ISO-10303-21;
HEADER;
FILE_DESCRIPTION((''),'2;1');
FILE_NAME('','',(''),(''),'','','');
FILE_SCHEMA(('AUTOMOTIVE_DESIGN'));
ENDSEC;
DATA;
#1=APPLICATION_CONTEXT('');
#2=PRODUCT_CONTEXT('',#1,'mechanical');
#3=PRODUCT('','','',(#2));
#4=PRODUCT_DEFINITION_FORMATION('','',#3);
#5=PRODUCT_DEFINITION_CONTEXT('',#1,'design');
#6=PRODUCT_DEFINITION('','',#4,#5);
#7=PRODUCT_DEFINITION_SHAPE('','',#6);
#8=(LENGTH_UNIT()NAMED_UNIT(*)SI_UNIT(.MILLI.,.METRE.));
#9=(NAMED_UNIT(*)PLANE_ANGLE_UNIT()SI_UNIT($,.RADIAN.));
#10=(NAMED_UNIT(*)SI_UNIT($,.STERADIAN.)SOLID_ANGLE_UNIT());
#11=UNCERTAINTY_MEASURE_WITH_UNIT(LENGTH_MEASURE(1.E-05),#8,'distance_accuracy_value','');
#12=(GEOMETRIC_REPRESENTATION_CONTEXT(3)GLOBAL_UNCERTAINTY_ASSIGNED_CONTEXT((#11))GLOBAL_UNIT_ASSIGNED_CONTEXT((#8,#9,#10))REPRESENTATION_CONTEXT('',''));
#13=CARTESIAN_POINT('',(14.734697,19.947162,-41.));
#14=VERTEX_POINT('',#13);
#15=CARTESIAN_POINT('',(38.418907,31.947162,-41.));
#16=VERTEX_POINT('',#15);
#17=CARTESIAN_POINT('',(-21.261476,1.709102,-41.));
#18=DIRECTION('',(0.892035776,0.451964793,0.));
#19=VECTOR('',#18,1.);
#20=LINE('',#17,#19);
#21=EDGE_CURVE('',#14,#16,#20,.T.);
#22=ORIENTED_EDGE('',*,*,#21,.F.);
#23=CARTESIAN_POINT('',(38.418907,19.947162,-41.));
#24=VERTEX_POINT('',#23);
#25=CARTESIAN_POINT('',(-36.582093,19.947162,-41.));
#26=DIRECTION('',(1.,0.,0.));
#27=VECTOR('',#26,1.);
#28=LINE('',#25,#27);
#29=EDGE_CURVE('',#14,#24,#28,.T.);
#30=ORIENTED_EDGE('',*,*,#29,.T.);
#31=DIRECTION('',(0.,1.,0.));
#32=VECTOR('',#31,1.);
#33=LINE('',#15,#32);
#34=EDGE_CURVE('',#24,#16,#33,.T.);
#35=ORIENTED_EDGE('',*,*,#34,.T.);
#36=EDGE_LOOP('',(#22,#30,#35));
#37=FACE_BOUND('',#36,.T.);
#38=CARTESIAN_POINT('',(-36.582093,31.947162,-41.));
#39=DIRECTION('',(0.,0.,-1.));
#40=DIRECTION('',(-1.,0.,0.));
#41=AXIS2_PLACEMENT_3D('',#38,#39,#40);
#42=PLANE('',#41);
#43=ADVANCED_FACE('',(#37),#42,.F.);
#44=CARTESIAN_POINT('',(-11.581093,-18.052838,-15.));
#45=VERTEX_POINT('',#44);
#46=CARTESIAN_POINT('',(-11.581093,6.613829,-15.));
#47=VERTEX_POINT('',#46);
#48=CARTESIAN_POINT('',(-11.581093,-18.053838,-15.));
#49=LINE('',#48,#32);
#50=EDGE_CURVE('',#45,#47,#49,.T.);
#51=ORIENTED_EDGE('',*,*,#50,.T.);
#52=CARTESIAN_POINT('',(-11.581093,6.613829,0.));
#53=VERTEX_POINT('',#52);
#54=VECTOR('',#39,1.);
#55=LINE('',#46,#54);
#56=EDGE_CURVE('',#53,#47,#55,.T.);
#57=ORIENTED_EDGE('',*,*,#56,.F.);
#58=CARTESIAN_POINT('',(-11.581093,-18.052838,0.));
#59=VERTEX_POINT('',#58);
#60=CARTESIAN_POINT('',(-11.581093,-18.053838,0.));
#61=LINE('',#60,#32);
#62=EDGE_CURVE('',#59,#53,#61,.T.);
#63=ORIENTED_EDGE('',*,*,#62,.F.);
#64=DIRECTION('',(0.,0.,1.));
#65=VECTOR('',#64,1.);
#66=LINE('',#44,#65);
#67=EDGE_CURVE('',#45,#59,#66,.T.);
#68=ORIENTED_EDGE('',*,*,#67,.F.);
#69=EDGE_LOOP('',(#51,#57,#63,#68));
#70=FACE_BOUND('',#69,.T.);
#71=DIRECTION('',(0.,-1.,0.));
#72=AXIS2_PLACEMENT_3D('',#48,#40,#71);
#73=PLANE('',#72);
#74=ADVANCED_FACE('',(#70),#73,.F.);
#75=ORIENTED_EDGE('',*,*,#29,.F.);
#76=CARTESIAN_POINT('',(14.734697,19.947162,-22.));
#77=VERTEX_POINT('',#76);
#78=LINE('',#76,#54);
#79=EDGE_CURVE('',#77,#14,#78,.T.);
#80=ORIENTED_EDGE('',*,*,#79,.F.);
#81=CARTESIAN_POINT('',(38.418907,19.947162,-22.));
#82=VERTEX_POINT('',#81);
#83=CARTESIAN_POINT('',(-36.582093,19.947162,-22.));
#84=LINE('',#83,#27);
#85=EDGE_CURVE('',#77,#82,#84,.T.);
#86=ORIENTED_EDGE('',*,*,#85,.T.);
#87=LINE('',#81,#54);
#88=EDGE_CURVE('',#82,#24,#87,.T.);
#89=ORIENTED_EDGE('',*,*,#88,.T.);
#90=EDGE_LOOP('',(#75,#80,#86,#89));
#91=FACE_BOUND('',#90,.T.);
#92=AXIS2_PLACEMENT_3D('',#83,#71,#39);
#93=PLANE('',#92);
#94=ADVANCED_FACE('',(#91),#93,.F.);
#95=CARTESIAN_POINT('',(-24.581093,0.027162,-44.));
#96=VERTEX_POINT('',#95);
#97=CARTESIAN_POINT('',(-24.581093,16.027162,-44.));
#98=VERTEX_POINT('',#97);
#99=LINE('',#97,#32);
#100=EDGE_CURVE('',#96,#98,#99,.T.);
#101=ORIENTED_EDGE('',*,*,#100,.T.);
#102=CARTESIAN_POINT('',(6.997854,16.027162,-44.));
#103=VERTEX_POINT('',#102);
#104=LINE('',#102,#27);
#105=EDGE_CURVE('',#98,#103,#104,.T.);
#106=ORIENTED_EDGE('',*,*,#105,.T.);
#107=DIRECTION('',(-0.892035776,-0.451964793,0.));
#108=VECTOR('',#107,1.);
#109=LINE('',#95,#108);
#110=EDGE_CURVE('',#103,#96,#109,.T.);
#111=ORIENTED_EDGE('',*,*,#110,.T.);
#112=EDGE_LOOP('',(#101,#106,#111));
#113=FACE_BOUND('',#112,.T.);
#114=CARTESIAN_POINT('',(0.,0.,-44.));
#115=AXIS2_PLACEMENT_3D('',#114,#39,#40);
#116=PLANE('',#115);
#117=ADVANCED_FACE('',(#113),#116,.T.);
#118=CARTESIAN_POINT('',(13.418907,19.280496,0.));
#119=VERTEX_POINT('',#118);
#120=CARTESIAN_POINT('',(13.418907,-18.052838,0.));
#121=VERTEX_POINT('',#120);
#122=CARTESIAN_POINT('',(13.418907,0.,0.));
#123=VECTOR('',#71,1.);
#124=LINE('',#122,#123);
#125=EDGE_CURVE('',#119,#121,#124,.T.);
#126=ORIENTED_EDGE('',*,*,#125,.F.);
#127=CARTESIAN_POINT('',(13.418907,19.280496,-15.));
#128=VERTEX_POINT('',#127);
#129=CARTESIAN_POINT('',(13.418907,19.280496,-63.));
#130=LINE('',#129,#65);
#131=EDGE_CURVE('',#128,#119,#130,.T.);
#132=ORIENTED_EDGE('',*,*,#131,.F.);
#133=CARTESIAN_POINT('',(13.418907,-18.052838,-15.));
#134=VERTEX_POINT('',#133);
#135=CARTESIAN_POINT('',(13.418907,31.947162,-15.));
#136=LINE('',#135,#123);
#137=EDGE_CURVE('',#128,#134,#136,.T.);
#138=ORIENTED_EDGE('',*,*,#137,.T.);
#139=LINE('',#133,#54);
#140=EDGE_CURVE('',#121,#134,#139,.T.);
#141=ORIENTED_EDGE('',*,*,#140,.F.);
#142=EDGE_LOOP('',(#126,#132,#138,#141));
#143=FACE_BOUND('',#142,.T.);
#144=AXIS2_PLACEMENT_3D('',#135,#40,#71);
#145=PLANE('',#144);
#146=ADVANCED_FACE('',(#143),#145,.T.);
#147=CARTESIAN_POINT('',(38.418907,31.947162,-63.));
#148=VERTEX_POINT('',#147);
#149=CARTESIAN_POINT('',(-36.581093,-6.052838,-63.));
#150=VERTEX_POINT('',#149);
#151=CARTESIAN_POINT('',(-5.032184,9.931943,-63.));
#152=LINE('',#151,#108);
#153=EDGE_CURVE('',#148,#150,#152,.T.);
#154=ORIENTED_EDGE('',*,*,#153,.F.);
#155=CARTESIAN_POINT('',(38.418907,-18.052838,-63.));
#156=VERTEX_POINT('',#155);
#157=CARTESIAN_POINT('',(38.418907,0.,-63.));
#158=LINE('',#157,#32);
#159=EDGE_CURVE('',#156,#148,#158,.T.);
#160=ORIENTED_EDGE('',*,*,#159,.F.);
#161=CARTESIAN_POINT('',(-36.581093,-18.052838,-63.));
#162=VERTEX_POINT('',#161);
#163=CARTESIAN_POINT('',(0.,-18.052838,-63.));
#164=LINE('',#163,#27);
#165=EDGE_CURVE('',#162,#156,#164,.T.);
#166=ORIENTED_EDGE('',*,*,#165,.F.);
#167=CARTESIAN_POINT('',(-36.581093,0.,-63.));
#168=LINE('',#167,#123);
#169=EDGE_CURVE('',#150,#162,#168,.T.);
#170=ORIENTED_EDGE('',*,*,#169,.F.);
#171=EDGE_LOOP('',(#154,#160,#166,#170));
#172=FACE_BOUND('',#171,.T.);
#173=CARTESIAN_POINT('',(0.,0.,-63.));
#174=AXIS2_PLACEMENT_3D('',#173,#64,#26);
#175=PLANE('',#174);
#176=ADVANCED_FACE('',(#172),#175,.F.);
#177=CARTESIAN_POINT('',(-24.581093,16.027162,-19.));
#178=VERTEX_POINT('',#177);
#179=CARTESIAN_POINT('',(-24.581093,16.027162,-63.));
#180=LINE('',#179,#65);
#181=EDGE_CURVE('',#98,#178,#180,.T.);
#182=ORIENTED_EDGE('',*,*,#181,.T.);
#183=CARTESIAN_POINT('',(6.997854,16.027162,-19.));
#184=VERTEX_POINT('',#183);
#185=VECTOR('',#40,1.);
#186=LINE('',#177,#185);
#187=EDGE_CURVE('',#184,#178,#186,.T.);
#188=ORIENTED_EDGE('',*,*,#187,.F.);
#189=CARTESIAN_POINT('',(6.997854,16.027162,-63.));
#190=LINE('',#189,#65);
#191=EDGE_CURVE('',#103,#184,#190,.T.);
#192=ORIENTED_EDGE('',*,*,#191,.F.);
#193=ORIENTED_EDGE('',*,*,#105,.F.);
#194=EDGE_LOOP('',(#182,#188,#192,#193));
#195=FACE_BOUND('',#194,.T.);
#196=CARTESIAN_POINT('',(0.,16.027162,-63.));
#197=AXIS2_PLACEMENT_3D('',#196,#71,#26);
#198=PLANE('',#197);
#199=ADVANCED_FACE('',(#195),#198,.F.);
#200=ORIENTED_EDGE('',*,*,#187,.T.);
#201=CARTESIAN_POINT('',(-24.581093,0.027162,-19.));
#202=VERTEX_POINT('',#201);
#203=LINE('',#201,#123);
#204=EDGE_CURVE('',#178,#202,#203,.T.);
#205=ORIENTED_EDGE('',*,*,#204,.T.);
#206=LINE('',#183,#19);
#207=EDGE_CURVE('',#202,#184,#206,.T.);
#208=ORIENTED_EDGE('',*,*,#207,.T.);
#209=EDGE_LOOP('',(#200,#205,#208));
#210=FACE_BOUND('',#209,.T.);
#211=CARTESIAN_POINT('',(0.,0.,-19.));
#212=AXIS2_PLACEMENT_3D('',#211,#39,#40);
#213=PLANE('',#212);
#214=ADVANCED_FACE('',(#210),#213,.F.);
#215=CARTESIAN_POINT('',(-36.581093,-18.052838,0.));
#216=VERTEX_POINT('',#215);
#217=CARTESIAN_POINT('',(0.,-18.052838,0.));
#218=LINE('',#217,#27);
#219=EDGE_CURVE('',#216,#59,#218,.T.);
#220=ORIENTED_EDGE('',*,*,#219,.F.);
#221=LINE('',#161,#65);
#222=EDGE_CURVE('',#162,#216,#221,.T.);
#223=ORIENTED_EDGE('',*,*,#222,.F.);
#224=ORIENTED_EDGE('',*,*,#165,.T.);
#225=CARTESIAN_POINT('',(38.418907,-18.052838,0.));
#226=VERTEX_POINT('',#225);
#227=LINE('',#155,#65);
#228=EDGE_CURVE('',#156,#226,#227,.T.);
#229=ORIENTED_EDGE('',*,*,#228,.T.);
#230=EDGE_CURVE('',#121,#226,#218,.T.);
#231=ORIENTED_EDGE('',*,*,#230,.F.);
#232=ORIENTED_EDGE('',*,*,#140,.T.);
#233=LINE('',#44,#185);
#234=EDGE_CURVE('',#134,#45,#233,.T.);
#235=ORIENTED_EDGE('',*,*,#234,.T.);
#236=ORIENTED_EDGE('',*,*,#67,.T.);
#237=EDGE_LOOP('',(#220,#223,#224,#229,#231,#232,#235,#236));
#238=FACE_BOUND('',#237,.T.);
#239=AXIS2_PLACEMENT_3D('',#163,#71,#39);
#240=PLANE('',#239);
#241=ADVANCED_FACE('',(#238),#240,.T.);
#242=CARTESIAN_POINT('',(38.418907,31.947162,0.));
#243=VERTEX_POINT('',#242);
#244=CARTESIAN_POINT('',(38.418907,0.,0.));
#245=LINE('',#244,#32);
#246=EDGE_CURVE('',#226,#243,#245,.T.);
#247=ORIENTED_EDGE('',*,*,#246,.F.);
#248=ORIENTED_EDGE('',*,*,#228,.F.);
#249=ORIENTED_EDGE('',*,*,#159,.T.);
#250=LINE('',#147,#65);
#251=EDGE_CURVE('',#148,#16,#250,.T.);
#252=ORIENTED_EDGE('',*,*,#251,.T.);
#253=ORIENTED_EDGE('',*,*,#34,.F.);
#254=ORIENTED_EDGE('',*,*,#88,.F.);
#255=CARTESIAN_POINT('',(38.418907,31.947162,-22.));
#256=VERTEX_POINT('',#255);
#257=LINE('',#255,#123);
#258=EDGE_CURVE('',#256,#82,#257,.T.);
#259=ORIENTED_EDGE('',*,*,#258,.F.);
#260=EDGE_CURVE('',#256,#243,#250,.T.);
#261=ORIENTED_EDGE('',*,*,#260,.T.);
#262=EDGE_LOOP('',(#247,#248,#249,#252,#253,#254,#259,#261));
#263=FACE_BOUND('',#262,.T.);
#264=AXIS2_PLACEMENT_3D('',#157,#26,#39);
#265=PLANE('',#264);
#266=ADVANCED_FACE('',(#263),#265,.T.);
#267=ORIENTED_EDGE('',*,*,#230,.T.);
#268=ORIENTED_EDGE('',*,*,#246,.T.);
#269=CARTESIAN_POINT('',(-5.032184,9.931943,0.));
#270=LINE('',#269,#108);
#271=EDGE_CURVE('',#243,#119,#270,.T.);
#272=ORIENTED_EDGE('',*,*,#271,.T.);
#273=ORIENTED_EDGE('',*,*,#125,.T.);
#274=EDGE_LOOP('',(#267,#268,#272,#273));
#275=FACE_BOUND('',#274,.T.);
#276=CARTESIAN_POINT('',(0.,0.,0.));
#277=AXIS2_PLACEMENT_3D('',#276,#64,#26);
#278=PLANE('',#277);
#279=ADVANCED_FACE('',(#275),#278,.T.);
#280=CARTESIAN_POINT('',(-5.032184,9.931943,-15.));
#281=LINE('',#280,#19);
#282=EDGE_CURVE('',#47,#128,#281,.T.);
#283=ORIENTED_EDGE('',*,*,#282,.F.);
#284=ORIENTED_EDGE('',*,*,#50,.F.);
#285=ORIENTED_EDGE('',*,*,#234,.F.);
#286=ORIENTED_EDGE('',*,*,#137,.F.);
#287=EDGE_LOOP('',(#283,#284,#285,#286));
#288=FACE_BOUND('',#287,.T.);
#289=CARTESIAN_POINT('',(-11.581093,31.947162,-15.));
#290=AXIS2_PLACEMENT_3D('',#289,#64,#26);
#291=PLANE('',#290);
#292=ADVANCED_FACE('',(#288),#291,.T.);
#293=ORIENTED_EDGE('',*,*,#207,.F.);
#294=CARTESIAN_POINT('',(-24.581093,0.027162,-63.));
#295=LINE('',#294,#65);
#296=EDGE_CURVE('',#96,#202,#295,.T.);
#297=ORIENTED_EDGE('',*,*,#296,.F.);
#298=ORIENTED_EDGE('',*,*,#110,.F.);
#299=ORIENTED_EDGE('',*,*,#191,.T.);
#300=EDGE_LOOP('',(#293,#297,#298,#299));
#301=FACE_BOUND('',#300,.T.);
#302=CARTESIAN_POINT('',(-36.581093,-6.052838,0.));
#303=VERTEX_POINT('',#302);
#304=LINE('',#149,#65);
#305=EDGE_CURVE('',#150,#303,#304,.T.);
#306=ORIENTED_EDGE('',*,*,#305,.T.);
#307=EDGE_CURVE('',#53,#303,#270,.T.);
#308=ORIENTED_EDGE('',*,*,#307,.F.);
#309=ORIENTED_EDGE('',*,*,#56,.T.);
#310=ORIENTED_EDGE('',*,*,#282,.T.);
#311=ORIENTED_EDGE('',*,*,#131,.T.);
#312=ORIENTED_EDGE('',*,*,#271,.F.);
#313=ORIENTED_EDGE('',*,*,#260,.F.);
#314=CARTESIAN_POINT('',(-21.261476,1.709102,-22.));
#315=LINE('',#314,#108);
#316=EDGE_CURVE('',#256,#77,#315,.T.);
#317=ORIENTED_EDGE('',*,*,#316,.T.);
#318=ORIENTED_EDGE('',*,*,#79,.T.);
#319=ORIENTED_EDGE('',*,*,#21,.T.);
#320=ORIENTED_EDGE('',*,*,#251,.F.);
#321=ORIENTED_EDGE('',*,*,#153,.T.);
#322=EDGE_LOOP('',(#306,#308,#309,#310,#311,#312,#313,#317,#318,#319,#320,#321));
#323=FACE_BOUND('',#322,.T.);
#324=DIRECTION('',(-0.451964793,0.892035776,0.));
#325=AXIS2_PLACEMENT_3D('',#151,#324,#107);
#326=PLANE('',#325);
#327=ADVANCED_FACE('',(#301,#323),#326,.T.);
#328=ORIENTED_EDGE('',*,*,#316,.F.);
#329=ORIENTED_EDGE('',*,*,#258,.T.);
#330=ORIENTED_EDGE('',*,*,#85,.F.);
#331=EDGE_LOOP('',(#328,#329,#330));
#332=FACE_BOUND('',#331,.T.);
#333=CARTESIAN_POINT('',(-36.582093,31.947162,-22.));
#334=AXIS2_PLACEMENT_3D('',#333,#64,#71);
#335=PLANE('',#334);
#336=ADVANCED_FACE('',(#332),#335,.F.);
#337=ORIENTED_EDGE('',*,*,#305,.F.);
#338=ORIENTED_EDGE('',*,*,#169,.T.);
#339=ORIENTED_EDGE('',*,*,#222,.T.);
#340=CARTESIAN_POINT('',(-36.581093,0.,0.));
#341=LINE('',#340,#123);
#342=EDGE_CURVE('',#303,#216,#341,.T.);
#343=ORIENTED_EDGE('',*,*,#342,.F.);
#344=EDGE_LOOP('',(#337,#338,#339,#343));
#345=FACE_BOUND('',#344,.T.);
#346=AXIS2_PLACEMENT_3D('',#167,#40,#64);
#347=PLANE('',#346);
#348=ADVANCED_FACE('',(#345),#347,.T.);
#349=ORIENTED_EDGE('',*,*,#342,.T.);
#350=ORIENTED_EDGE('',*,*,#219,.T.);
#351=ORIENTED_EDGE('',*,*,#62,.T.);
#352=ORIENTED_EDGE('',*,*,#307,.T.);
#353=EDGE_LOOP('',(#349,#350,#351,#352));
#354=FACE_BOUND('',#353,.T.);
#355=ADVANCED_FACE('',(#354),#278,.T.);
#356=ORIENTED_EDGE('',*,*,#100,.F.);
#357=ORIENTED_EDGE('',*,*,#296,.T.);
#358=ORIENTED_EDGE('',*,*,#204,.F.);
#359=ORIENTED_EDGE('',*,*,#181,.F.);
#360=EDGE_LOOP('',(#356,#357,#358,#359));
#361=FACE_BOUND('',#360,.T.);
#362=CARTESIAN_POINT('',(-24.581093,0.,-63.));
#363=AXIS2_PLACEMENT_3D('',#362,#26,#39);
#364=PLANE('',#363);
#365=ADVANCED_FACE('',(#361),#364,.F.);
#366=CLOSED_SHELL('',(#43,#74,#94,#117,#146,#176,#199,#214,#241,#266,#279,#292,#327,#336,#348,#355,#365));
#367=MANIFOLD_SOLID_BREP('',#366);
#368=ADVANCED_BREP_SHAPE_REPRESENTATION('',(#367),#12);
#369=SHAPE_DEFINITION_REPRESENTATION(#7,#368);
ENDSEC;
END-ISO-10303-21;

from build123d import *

# Parameters (mm, degrees)
BOSS_EXTRUDE1_DEPTH            = 63
CUT_EXTRUDE1_DEPTH             = 19
CUT_EXTRUDE2_DEPTH             = 19
CUT_EXTRUDE3_REACH             = 36.08
CUT_EXTRUDE3_DIRECTION_2_DEPTH = 16.92
CUT_EXTRUDE4_REACH             = 77
SKETCH6_W                      = 19
SKETCH6_H                      = 12


with BuildPart() as part:
    # Sketch1 → Boss-Extrude1 (new body)
    with BuildSketch(Plane.XY):
        Polygon((38.418907052, 31.947162427), (-36.581092948, -6.052837573), (-36.581092948, -18.052837573), (38.418907052, -18.052837573), align=None)
        Polygon((-24.581092948, 16.027162427), (-24.581092948, 0.027162427), (6.99785442, 16.027162427), align=None)
    extrude(amount=-BOSS_EXTRUDE1_DEPTH)

    # Sketch2 → Cut-Extrude1 (cut)
    with BuildSketch(Plane.XY):
        Polygon((-24.581092948, 16.027162427), (6.99785442, 16.027162427), (-24.581092948, 0.027162427), align=None)
    extrude(amount=-CUT_EXTRUDE1_DEPTH, mode=Mode.SUBTRACT)

    # Sketch3 → Cut-Extrude2 (cut)
    with BuildSketch(Plane(origin=(0, 0, -63), x_dir=(-1, 0, 0), z_dir=(0, 0, -1))):
        Polygon((-6.99785442, 16.027162427), (24.581092948, 16.027162427), (24.581092948, 0.027162427), align=None)
    extrude(amount=-CUT_EXTRUDE2_DEPTH, mode=Mode.SUBTRACT)

    # Sketch4 → Cut-Extrude3 (cut, up to next)
    with BuildSketch(Plane(origin=(0, 16.027162427, 0), x_dir=(1, 0, 0), z_dir=(0, 1, 0)), mode=Mode.PRIVATE) as cut_extrude3_sk1:
        Polygon((-11.581092948, 15), (7.086929483, 15), (13.418907052, 15), (13.418907052, 0), (-11.581092948, 0), align=None)
    cut_extrude3_tool1 = extrude(cut_extrude3_sk1.sketch, amount=-CUT_EXTRUDE3_REACH, mode=Mode.PRIVATE) & part.part
    add(cut_extrude3_tool1.solids().sort_by_distance((0.918907, 16.027162, -7.5))[0], mode=Mode.SUBTRACT)

    # Sketch4 → Cut-Extrude3 direction 2 (cut)
    with BuildSketch(Plane(origin=(0, 16.027162427, 0), x_dir=(1, 0, 0), z_dir=(0, 1, 0))):
        Polygon((-11.581092948, 15), (7.086929483, 15), (13.418907052, 15), (13.418907052, 0), (-11.581092948, 0), align=None)
    extrude(amount=CUT_EXTRUDE3_DIRECTION_2_DEPTH, mode=Mode.SUBTRACT)

    # Sketch6 → Cut-Extrude4 (cut, up to next)
    with BuildSketch(Plane(origin=(38.418907052, 0, 0), x_dir=(0, 0, -1), z_dir=(1, 0, 0)), mode=Mode.PRIVATE) as cut_extrude4_sk1:
        with Locations((31.5, 25.947162427)):
            Rectangle(SKETCH6_W, SKETCH6_H)
    cut_extrude4_tool1 = extrude(cut_extrude4_sk1.sketch, amount=-CUT_EXTRUDE4_REACH, mode=Mode.PRIVATE) & part.part
    add(cut_extrude4_tool1.solids().sort_by_distance((38.418907, 25.947162, -31.5))[0], mode=Mode.SUBTRACT)


solid = part.part
